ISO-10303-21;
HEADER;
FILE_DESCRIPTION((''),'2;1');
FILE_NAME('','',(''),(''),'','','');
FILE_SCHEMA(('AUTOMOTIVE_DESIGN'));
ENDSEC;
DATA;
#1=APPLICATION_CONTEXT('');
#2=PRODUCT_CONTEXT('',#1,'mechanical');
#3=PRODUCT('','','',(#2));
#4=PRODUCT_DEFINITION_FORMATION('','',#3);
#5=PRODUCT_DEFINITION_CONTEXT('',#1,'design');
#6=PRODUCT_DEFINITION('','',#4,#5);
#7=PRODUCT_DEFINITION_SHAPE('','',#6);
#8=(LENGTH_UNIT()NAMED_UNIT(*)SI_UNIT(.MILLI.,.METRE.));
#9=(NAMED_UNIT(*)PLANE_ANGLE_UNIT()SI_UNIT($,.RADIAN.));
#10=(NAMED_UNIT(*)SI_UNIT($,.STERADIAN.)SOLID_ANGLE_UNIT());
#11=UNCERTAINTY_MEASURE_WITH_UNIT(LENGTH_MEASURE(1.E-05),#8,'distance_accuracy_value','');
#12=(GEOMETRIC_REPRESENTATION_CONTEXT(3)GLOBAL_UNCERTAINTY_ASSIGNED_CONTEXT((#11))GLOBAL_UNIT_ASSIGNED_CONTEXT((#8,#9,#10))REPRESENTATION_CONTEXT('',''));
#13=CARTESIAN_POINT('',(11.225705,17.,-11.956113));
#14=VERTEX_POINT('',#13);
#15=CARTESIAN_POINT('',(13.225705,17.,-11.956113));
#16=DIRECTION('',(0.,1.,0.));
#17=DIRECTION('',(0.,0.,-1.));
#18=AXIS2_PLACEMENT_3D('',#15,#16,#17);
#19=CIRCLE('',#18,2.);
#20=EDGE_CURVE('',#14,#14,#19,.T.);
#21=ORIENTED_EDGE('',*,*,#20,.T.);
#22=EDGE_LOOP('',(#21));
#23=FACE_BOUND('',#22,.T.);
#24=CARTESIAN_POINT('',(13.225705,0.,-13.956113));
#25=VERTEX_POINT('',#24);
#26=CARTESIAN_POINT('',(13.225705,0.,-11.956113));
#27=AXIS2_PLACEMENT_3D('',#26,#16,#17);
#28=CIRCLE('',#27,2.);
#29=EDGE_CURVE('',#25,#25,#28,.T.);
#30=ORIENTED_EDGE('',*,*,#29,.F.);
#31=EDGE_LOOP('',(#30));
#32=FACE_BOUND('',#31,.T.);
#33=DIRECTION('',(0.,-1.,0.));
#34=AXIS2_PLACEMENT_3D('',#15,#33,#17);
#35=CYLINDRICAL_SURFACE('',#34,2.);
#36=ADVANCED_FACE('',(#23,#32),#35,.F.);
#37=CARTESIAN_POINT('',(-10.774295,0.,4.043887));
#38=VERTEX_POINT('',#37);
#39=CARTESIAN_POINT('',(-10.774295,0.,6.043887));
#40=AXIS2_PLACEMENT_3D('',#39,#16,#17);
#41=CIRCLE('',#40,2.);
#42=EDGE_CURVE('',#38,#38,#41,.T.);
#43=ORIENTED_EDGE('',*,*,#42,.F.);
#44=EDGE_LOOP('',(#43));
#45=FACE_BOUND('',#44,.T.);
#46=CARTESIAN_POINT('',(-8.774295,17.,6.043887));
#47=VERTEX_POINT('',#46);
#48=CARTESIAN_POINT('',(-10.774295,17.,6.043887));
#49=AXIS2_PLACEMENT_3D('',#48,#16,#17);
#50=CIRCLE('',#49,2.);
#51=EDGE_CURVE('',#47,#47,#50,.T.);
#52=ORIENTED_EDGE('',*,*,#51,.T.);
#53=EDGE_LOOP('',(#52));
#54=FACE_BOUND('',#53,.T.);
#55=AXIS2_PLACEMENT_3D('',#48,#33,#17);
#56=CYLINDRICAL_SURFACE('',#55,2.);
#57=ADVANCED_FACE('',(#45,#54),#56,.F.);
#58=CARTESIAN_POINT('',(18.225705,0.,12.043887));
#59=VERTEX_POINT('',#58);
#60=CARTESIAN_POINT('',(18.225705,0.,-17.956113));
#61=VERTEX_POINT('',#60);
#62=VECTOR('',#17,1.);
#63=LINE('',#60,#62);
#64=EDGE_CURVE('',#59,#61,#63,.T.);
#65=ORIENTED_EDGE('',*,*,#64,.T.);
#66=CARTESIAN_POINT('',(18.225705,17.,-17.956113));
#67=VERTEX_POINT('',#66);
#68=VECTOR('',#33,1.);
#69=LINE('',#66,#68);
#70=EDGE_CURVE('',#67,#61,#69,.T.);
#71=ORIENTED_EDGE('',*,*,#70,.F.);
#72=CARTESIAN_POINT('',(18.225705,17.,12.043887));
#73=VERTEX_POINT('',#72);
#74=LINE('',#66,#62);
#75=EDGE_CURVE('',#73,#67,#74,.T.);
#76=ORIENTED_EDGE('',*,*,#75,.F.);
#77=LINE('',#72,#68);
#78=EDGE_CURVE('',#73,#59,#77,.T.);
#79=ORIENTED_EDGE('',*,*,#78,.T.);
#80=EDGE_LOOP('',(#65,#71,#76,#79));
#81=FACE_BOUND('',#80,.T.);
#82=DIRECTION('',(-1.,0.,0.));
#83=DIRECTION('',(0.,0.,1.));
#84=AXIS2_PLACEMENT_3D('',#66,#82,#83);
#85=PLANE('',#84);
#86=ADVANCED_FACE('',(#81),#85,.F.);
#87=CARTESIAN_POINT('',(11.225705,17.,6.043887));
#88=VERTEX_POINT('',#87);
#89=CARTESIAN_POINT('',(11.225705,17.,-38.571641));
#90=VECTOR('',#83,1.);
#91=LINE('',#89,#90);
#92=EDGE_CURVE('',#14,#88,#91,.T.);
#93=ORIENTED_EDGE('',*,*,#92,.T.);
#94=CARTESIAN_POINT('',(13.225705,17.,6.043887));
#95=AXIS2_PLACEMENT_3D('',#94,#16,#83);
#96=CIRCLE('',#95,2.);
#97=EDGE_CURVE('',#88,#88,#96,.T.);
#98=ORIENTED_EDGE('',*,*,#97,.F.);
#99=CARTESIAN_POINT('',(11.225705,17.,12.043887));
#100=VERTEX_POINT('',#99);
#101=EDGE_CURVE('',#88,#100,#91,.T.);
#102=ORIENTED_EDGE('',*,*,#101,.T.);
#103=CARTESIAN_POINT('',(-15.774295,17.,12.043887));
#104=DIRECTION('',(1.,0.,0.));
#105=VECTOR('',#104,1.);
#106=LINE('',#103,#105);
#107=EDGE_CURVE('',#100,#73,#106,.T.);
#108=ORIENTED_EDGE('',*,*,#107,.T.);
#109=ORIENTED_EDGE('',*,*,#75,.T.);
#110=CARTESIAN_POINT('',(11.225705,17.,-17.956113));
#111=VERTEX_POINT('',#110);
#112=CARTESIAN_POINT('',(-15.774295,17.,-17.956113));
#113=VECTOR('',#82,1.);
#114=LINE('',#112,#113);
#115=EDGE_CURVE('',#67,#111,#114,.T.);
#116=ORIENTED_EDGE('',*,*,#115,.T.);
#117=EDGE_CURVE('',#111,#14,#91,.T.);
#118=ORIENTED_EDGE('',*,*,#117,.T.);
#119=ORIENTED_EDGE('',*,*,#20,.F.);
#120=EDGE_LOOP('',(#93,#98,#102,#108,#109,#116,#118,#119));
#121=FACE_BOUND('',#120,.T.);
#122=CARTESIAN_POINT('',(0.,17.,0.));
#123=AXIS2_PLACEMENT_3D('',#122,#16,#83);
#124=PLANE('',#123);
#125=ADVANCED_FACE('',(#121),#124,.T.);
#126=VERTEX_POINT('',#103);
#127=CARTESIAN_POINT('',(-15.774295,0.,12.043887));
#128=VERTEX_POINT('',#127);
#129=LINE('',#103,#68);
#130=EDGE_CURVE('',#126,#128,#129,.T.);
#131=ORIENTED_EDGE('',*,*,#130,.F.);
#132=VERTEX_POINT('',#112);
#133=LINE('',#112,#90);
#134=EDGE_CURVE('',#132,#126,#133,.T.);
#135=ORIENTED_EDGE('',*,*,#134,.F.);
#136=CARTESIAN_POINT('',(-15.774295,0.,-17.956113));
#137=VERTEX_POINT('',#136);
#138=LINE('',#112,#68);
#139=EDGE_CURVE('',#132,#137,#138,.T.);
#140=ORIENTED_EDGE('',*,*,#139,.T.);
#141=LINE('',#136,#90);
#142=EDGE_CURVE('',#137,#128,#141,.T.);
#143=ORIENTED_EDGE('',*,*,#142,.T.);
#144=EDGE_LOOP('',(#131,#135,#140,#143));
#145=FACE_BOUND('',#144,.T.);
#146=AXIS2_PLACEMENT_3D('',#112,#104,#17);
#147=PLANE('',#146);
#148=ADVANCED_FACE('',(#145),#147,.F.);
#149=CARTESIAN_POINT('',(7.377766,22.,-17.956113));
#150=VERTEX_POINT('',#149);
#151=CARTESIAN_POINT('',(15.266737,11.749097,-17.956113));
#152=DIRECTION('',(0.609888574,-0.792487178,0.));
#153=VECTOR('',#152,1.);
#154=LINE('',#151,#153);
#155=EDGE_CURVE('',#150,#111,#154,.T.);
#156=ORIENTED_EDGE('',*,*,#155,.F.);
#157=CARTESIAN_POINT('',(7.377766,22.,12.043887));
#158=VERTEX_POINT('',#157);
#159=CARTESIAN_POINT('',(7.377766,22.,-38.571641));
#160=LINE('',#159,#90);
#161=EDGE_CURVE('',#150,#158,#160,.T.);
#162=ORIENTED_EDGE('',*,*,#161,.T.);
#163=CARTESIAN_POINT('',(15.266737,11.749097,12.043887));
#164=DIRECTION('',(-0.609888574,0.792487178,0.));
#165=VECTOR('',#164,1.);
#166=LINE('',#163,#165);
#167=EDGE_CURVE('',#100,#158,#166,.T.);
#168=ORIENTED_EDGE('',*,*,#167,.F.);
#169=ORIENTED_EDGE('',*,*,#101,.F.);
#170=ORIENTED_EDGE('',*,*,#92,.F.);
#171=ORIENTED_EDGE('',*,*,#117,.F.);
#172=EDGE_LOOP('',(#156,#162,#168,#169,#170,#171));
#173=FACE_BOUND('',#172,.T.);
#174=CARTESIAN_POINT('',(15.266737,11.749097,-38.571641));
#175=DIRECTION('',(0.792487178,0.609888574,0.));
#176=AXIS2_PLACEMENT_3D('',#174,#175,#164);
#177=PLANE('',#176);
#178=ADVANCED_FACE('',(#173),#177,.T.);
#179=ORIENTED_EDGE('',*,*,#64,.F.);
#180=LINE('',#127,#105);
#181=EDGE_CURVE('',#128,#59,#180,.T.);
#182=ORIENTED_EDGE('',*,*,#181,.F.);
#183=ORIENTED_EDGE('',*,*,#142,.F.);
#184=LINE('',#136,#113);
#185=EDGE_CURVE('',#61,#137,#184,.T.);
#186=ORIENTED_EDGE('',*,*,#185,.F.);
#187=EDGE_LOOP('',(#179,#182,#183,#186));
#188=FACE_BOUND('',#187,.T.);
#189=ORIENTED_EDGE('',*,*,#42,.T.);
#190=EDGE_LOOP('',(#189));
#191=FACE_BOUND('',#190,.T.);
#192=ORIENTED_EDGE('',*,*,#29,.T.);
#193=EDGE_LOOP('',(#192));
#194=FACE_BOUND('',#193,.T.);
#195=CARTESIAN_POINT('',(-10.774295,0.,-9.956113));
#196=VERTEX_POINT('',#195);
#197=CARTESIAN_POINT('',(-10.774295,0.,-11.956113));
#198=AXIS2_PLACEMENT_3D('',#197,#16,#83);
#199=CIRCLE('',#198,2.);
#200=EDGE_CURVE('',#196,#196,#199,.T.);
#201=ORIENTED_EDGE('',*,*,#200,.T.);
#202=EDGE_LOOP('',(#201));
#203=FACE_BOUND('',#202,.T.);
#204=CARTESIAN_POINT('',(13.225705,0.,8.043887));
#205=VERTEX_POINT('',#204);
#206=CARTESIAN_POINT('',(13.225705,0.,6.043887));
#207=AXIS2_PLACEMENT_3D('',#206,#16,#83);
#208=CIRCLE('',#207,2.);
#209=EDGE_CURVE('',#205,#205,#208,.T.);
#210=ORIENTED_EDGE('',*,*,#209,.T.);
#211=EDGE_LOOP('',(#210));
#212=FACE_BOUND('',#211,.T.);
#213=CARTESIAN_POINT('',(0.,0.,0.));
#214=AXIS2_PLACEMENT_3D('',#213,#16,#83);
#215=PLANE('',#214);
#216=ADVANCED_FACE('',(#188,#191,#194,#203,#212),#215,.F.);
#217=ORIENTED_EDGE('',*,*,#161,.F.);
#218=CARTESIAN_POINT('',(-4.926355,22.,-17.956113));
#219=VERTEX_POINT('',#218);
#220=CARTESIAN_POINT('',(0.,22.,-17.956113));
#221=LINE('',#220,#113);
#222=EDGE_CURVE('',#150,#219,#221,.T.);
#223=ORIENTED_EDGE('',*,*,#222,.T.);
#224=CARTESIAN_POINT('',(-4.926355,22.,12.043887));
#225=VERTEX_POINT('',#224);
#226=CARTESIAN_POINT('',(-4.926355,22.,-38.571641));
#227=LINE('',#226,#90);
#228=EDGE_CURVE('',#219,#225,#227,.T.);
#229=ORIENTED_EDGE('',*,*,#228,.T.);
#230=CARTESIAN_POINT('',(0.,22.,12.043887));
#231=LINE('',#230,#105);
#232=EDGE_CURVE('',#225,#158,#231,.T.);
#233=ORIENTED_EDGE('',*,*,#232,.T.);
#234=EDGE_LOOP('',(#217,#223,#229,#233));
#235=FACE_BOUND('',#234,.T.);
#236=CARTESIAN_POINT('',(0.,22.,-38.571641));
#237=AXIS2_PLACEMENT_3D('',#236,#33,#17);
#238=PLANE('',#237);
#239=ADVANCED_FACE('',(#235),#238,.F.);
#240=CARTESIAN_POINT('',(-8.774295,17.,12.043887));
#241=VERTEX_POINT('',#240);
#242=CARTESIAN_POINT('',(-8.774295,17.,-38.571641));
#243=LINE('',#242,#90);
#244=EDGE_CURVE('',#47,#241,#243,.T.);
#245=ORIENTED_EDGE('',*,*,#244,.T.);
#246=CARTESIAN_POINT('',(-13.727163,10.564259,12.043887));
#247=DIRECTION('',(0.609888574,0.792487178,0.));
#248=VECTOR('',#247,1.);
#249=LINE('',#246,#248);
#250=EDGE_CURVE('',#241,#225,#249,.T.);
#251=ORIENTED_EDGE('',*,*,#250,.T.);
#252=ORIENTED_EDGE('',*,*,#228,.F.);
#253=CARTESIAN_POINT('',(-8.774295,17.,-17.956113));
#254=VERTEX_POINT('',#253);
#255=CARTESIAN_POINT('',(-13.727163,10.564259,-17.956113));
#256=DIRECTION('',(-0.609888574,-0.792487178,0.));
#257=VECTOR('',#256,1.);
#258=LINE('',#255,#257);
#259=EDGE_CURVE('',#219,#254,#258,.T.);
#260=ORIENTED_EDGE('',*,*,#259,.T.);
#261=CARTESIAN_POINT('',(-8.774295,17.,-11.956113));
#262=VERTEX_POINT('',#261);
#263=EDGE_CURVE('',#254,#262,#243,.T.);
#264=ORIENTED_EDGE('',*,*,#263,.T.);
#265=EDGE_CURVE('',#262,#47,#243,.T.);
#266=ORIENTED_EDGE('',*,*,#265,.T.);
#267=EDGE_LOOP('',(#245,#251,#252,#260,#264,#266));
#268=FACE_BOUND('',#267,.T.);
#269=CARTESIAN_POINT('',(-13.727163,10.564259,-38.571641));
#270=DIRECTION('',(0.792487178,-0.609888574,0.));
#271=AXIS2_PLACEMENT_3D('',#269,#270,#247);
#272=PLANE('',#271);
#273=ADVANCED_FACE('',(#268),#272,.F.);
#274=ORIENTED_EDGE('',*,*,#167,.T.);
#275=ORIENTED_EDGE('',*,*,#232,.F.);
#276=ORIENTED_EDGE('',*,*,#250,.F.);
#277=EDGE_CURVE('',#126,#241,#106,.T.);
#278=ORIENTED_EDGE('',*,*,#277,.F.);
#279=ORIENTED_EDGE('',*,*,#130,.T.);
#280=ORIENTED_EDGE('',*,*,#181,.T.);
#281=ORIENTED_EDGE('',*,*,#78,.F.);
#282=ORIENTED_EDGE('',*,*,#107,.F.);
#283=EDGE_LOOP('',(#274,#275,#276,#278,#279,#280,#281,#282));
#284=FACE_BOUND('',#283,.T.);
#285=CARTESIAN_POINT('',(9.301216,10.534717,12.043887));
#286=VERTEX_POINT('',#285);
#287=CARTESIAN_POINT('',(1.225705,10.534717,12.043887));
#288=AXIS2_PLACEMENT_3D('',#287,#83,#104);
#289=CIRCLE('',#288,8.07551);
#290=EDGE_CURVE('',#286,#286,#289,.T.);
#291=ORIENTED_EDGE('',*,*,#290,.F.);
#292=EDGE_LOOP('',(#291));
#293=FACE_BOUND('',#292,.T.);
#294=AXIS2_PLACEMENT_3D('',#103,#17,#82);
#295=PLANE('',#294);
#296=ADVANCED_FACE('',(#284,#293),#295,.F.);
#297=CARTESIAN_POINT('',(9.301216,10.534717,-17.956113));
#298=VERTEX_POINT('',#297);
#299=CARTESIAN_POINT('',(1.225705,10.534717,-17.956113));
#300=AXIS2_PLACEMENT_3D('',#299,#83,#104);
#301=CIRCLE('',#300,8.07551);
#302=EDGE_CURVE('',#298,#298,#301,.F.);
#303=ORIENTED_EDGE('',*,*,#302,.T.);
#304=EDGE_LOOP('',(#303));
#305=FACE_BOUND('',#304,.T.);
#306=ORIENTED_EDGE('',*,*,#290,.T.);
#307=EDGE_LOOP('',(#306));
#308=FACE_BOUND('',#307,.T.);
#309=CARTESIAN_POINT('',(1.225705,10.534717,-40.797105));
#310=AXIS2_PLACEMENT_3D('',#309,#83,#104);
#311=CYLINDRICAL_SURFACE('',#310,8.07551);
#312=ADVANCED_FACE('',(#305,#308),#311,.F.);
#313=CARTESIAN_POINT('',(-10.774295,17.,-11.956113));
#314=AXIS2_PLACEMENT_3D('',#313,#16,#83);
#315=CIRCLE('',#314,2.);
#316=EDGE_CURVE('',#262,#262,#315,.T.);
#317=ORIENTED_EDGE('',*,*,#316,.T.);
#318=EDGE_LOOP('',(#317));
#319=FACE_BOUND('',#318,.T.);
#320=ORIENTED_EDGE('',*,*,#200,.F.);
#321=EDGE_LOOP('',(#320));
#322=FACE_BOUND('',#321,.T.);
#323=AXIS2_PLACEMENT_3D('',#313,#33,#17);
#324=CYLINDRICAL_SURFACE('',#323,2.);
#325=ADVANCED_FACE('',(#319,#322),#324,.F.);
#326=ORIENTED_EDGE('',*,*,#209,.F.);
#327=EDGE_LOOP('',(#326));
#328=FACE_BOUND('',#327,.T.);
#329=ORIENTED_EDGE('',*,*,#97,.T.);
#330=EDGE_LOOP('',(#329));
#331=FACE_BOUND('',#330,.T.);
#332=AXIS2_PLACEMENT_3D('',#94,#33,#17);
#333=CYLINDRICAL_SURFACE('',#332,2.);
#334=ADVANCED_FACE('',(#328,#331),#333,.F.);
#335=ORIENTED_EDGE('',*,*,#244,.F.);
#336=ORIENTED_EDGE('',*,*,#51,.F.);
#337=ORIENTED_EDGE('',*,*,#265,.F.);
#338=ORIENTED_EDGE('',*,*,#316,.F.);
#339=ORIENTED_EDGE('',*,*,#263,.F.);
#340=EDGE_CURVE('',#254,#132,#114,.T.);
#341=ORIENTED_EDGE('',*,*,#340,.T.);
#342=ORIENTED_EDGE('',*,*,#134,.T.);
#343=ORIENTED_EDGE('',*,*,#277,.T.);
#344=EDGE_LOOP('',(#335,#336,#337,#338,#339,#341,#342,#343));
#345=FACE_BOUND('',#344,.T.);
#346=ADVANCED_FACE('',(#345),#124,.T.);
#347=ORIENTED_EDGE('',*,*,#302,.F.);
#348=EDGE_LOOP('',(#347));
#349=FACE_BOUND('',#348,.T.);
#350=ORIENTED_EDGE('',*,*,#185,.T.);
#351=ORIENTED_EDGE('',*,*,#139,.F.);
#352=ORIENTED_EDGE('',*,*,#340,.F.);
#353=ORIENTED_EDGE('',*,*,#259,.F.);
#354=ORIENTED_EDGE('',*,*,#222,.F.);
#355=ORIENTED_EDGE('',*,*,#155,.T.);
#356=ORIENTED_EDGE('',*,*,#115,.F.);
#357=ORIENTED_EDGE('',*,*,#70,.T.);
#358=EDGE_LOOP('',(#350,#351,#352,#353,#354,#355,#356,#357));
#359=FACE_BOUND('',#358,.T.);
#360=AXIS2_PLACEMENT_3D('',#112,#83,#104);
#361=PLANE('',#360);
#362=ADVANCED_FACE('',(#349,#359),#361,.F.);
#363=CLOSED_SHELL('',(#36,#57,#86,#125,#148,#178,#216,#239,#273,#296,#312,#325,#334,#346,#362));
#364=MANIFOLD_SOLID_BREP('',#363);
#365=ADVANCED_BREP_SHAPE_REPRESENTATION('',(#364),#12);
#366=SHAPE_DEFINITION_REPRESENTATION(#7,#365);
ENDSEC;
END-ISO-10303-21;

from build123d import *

# Parameters (mm, degrees)
SKETCH_1_W          = 34
SKETCH_1_H          = 30
SKETCH_1_R          = 2
EXTRUDE_1_DEPTH     = 17
EXTRUDE_3_REACH     = 41.002
SKETCH_4_R          = 8.07551033
CUT_EXTRUDE_1_DEPTH = 30


with BuildPart() as part:
    # 草图1 → 凸台-拉伸1 (new body)
    with BuildSketch(Plane(origin=(0, 0, 0), x_dir=(1, 0, 0), z_dir=(0, 1, 0))):
        with Locations((1.225705329, 2.956112853)):
            Rectangle(SKETCH_1_W, SKETCH_1_H)
        with Locations(Location((-10.774294671, 11.956112853, 0), (0, 0, 270))):
            Circle(SKETCH_1_R, mode=Mode.SUBTRACT)
        with Locations(Location((13.225705329, 11.956112853, 0), (0, 0, 90))):
            Circle(SKETCH_1_R, mode=Mode.SUBTRACT)
        with Locations(Location((13.225705329, -6.043887147, 0), (0, 0, 270))):
            Circle(SKETCH_1_R, mode=Mode.SUBTRACT)
        with Locations(Location((-10.774294671, -6.043887147, 0), (0, 0, 90))):
            Circle(SKETCH_1_R, mode=Mode.SUBTRACT)
    extrude(amount=EXTRUDE_1_DEPTH)

    # 凸台-拉伸3: up to this face of the body (flat: up to its plane)
    extrude_3_end = Plane(part.part.faces().sort_by_distance((1.225705329, 8.5, -17.956112853))[0])
    # 草图3 → 凸台-拉伸3 (add, up to the picked face)
    with BuildSketch(Plane.XY.offset(12.043887147), mode=Mode.PRIVATE) as extrude_3_sk1:
        Polygon((-4.926354977, 22), (-8.774294671, 17), (1.225705329, 17), (11.225705329, 17), (7.377765635, 22), align=None)
    extrude_3_tool1 = split(extrude(extrude_3_sk1.sketch, amount=-EXTRUDE_3_REACH, mode=Mode.PRIVATE), bisect_by=extrude_3_end, keep=Keep.BOTH, mode=Mode.PRIVATE)
    add(extrude_3_tool1.solids().sort_by(Axis((1.225705, 19.301473, 12.043887), (0, 0, -1)))[0])

    # 草图4 → 切除-拉伸1 (cut)
    with BuildSketch(Plane.XY.offset(12.043887147)):
        with Locations((1.225705329, 10.534716584)):
            Circle(SKETCH_4_R)
    extrude(amount=-CUT_EXTRUDE_1_DEPTH, mode=Mode.SUBTRACT)


solid = part.part
